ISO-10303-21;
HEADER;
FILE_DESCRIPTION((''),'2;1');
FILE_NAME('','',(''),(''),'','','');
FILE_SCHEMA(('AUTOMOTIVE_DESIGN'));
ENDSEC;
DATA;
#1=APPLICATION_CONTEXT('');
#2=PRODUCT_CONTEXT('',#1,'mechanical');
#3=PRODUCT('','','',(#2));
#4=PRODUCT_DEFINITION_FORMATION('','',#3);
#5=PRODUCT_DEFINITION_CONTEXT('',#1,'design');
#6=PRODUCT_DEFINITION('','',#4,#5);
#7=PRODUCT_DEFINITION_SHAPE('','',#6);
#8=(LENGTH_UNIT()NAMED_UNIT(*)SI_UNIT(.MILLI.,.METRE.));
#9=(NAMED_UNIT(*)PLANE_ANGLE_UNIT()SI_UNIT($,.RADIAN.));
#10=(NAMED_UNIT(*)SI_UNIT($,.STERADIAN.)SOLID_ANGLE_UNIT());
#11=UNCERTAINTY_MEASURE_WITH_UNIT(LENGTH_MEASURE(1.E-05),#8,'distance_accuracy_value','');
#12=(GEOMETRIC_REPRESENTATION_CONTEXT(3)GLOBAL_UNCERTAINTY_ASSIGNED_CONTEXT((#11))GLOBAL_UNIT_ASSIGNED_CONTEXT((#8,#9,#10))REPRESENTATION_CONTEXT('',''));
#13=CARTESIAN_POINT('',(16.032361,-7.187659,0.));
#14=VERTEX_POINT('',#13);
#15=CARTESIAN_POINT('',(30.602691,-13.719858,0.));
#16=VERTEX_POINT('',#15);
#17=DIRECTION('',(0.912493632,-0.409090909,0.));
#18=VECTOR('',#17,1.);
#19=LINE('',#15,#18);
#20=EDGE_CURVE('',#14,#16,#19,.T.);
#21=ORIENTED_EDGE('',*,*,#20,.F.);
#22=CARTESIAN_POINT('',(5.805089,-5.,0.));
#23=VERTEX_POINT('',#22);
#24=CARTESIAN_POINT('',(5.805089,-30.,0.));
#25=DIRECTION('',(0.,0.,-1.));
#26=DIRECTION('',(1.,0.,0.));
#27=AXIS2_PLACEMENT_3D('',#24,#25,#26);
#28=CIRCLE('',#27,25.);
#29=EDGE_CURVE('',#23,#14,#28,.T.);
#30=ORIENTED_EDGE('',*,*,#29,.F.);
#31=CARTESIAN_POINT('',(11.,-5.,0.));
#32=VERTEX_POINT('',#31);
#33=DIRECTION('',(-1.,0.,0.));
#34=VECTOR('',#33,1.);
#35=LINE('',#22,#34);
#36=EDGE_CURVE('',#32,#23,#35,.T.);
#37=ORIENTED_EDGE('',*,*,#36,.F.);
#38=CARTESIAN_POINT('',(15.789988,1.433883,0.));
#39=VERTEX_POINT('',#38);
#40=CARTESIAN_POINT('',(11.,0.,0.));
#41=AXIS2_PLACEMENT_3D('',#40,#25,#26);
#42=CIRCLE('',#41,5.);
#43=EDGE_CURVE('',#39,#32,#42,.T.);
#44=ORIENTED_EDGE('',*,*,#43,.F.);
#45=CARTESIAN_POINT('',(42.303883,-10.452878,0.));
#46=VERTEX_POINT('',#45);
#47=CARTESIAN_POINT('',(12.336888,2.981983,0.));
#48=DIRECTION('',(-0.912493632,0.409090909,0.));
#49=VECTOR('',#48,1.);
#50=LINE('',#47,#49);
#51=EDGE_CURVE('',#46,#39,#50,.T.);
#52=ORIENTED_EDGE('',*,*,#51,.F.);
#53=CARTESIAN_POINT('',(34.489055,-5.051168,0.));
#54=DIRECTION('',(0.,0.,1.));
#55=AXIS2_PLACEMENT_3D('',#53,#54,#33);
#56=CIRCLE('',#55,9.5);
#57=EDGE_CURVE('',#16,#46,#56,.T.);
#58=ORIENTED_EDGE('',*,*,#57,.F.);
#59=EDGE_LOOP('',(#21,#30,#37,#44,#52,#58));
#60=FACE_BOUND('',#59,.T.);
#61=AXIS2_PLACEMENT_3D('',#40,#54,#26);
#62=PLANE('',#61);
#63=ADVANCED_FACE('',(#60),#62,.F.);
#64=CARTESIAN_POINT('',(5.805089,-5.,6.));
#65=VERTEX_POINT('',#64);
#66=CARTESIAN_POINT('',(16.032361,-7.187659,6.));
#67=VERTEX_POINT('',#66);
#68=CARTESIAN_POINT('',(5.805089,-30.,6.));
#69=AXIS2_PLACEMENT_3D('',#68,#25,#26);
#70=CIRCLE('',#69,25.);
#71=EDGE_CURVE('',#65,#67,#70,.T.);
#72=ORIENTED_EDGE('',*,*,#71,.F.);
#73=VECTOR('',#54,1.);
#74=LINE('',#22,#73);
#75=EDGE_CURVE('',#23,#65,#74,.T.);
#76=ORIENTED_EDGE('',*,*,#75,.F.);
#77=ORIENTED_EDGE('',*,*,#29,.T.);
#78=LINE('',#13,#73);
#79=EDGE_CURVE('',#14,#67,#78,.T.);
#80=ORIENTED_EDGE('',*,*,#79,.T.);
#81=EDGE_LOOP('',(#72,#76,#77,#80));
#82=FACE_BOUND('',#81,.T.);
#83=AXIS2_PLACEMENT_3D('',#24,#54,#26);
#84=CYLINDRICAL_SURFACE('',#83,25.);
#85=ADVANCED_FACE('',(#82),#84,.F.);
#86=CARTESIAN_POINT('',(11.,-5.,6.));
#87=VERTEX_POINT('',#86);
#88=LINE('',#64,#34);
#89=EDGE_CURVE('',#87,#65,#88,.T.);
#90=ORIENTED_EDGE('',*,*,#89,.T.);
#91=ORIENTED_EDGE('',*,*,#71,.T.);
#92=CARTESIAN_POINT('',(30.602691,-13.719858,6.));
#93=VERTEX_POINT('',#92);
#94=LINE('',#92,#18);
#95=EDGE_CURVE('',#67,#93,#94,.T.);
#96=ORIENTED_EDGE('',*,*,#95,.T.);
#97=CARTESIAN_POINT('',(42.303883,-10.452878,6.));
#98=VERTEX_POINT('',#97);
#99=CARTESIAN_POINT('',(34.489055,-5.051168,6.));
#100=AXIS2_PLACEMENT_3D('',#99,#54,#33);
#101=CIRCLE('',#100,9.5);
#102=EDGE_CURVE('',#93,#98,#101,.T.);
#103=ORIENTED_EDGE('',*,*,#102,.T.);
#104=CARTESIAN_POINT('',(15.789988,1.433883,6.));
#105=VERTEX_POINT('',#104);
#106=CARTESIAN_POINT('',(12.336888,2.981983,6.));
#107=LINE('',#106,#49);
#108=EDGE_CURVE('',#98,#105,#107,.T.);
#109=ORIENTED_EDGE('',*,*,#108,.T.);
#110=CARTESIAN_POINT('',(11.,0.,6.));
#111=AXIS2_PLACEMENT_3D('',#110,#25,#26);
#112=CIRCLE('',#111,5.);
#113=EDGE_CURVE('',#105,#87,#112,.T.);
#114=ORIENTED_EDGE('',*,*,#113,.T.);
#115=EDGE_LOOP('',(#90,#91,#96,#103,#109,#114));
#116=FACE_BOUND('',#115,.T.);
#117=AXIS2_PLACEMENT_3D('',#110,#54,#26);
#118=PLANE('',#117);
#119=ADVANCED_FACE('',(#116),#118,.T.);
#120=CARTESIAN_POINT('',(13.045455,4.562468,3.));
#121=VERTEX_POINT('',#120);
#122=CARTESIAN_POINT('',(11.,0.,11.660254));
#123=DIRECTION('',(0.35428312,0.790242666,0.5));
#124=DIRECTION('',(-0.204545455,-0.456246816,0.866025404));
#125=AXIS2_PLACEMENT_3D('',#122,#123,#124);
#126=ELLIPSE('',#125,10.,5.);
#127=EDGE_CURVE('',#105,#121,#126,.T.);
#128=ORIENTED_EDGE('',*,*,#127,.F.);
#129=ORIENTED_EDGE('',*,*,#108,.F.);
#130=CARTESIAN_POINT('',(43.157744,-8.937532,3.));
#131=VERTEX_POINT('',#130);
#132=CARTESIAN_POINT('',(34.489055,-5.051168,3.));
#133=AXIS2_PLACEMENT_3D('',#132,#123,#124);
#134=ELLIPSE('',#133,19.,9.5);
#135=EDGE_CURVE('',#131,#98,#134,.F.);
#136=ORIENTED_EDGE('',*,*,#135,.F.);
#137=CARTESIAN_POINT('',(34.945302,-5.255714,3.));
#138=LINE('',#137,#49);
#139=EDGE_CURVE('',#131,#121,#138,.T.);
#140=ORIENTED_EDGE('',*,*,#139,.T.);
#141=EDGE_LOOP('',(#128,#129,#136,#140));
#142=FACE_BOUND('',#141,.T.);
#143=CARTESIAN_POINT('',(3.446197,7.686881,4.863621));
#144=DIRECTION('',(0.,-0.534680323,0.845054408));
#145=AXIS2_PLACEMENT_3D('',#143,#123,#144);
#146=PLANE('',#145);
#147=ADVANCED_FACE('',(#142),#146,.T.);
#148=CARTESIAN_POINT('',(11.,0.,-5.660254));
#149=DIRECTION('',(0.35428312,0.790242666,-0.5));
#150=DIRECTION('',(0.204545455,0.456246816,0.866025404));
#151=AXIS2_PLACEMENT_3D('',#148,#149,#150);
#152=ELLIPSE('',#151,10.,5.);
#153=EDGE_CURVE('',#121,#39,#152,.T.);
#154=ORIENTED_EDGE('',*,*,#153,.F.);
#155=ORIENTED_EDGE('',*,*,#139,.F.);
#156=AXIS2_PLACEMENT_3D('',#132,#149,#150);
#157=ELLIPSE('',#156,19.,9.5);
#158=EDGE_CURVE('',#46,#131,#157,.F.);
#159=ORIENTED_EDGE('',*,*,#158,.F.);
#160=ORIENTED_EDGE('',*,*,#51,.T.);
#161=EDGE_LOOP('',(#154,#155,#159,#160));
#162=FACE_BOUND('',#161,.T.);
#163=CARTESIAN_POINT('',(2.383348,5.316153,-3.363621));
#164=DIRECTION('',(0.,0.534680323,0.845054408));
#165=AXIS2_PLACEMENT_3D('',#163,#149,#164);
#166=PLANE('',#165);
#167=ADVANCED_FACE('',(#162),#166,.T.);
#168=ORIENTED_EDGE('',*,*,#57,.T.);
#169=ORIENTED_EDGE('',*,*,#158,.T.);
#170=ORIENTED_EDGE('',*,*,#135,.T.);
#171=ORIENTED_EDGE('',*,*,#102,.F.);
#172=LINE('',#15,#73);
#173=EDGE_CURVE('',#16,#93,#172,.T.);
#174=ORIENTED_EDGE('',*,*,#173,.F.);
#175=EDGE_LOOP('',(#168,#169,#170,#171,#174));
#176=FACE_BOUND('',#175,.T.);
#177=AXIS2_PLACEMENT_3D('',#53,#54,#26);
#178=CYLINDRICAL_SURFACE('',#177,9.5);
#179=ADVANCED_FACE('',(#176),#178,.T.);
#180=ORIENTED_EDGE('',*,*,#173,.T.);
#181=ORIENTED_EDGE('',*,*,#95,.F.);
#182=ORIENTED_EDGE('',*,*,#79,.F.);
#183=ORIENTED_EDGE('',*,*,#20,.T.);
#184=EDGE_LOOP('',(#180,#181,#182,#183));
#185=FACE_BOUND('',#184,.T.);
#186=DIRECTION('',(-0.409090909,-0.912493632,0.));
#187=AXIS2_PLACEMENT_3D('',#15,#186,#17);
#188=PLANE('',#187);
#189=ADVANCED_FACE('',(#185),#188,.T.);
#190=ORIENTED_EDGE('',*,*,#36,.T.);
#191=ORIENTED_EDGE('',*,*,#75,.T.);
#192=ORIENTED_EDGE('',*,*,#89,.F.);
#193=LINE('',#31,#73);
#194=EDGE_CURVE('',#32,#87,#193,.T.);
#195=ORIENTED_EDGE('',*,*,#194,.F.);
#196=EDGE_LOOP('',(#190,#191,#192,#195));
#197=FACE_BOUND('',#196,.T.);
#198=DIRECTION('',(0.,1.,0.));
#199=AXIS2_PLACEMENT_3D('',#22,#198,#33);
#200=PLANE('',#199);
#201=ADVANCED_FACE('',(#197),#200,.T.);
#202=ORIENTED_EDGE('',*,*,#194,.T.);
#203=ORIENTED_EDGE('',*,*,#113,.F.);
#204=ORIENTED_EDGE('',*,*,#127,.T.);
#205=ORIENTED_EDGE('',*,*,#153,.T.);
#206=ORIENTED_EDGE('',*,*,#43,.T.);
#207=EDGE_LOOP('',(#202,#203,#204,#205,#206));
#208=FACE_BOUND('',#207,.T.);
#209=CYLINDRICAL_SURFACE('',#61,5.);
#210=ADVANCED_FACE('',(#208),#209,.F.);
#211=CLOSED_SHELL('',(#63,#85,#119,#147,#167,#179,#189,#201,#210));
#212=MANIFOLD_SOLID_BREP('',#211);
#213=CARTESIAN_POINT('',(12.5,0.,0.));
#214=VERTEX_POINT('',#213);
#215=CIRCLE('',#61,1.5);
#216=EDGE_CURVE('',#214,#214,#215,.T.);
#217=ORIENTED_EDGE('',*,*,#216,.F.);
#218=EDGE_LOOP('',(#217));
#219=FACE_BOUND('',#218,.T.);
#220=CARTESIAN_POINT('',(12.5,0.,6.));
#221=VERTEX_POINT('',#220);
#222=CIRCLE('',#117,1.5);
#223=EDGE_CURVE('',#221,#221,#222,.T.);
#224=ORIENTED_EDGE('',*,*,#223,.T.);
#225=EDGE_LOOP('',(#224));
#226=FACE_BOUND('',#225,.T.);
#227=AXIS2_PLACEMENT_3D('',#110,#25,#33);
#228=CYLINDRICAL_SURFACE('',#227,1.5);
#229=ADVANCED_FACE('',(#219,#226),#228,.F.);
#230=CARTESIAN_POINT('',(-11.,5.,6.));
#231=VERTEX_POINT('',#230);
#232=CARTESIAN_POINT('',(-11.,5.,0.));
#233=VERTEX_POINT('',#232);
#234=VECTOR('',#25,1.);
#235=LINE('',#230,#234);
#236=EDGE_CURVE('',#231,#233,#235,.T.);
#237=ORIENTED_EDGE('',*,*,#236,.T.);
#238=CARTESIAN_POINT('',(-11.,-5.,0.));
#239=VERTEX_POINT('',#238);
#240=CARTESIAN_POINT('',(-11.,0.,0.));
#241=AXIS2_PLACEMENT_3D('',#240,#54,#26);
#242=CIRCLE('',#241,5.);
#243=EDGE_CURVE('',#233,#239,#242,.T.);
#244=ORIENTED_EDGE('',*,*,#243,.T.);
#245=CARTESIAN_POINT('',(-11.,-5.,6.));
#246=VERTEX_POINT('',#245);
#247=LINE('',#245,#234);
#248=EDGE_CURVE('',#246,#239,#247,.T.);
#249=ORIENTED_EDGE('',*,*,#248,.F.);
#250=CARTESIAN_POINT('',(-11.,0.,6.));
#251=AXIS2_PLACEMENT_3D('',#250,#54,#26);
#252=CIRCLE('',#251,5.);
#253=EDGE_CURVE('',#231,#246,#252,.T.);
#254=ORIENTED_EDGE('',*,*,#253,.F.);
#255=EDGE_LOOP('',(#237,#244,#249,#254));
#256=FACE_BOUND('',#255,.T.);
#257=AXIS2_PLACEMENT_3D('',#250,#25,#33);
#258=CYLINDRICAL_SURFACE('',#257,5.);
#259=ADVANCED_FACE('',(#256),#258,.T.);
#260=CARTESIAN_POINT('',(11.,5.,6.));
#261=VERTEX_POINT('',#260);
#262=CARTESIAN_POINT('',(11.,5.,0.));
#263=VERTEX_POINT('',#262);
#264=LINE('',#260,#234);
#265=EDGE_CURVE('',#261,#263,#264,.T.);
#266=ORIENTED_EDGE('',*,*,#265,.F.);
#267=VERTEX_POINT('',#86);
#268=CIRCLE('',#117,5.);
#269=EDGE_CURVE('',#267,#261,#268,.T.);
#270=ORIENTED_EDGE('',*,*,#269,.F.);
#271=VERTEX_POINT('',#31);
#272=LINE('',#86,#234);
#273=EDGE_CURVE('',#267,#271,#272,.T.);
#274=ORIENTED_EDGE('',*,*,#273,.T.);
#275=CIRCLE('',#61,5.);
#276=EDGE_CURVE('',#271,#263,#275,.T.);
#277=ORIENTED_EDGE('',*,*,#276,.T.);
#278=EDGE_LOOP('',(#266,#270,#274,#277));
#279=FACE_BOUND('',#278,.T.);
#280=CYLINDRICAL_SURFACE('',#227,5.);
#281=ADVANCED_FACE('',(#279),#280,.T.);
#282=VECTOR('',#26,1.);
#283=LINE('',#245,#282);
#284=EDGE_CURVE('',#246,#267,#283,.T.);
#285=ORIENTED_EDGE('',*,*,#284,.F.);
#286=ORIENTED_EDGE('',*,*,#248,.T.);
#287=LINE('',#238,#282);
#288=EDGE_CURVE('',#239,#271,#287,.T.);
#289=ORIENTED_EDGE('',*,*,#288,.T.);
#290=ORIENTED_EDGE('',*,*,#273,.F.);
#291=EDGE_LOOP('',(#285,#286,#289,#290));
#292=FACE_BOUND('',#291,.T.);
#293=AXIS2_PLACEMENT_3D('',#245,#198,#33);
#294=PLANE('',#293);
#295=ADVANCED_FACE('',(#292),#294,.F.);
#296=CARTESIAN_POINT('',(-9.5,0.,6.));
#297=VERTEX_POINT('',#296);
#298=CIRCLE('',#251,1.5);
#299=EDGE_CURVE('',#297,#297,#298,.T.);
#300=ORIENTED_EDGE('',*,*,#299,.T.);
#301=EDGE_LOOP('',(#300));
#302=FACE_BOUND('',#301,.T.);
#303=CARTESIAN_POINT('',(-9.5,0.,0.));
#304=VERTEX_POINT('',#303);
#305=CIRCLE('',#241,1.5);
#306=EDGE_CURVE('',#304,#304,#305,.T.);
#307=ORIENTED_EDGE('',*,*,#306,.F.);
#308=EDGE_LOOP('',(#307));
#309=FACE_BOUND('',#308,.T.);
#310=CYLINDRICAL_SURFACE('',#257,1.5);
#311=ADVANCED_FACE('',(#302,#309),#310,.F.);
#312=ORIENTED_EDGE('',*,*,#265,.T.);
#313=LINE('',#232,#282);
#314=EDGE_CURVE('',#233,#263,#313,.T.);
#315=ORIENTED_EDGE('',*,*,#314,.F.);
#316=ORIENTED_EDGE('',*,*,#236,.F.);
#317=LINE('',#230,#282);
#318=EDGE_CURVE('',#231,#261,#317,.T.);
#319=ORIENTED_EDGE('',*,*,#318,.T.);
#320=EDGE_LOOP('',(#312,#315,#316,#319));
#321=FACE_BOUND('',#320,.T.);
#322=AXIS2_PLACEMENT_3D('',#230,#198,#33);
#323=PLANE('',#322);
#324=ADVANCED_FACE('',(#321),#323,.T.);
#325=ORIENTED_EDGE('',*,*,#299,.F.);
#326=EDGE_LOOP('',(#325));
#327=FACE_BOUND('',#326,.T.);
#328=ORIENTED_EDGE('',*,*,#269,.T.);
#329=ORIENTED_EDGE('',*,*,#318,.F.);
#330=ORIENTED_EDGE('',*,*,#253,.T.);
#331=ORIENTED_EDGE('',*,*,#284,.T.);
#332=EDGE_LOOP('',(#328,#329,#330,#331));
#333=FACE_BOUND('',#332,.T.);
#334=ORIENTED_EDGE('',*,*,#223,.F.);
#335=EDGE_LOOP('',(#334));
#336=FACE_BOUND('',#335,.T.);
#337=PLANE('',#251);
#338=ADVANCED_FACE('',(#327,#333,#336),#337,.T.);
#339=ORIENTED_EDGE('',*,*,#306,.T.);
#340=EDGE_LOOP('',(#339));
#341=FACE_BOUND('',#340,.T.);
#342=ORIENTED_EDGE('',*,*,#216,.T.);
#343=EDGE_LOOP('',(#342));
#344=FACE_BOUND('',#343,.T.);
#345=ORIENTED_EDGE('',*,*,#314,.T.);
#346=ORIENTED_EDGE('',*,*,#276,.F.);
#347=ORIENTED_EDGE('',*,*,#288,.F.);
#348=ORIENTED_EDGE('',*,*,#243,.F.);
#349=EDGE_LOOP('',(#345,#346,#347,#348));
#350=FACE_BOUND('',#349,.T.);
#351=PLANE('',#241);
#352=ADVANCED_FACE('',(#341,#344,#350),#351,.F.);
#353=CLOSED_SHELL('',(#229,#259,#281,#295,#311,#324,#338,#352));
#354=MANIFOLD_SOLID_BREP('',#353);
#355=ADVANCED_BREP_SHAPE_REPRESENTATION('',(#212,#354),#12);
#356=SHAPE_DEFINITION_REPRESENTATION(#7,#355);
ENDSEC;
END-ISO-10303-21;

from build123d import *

# Parameters (mm, degrees)
SKETCH_1_R      = 1.5
EXTRUDE_1_DEPTH = 6
EXTRUDE_2_DEPTH = 6


with BuildPart() as part:
    # 草图1 → 凸台-拉伸1 (new body)
    with BuildSketch(Plane.XY):
        with BuildLine():
            Line((-11, 5), (11, 5))
            ThreePointArc((11, 5), (16, 0), (11, -5))
            Line((11, -5), (-11, -5))
            ThreePointArc((-11, -5), (-16, 0), (-11, 5))
        make_face()
        with Locations((-11, 0)):
            Circle(SKETCH_1_R, mode=Mode.SUBTRACT)
        with Locations((11, 0)):
            Circle(SKETCH_1_R, mode=Mode.SUBTRACT)
    extrude(amount=EXTRUDE_1_DEPTH)


with BuildPart() as body_2:
    # 草图2 → 凸台-拉伸2 (new body)
    with BuildSketch(Plane.XY.offset(6)):
        with BuildLine():
            Line((30.602691257, -13.719857707), (16.032361282, -7.187659205))
            ThreePointArc((16.032361282, -7.187659205), (11.034404004, -5.553031682), (5.805088555, -5))
            Line((5.805088555, -5), (11, -5))
            ThreePointArc((11, -5), (15.889393664, -1.04586309), (13.045454545, 4.562468159))
            Line((13.045454545, 4.562468159), (34.945301709, -5.255713659))
            Line((34.945301709, -5.255713659), (43.157744395, -8.937531841))
            ThreePointArc((43.157744395, -8.937531841), (37.870669943, -13.928931417), (30.602691257, -13.719857707))
        make_face()
    extrude(amount=-EXTRUDE_2_DEPTH)

    # Surface Cut 1
    split(bisect_by=Plane(origin=(2.383348048, 5.316153128, -3.363620668), x_dir=(0.9124936318129424, -0.40909090909090917, 0), z_dir=(0.35428311972999815, 0.7902426659415334, -0.499999999999998)), keep=Keep.BOTTOM)

    # Surface Cut 2
    split(bisect_by=Plane(origin=(3.446197407, 7.686881126, 4.863620668), x_dir=(0.9124936318129424, -0.40909090909090917, 0), z_dir=(0.35428311972999815, 0.7902426659415334, 0.499999999999998)), keep=Keep.BOTTOM)


solid = Compound([part.part, body_2.part])
